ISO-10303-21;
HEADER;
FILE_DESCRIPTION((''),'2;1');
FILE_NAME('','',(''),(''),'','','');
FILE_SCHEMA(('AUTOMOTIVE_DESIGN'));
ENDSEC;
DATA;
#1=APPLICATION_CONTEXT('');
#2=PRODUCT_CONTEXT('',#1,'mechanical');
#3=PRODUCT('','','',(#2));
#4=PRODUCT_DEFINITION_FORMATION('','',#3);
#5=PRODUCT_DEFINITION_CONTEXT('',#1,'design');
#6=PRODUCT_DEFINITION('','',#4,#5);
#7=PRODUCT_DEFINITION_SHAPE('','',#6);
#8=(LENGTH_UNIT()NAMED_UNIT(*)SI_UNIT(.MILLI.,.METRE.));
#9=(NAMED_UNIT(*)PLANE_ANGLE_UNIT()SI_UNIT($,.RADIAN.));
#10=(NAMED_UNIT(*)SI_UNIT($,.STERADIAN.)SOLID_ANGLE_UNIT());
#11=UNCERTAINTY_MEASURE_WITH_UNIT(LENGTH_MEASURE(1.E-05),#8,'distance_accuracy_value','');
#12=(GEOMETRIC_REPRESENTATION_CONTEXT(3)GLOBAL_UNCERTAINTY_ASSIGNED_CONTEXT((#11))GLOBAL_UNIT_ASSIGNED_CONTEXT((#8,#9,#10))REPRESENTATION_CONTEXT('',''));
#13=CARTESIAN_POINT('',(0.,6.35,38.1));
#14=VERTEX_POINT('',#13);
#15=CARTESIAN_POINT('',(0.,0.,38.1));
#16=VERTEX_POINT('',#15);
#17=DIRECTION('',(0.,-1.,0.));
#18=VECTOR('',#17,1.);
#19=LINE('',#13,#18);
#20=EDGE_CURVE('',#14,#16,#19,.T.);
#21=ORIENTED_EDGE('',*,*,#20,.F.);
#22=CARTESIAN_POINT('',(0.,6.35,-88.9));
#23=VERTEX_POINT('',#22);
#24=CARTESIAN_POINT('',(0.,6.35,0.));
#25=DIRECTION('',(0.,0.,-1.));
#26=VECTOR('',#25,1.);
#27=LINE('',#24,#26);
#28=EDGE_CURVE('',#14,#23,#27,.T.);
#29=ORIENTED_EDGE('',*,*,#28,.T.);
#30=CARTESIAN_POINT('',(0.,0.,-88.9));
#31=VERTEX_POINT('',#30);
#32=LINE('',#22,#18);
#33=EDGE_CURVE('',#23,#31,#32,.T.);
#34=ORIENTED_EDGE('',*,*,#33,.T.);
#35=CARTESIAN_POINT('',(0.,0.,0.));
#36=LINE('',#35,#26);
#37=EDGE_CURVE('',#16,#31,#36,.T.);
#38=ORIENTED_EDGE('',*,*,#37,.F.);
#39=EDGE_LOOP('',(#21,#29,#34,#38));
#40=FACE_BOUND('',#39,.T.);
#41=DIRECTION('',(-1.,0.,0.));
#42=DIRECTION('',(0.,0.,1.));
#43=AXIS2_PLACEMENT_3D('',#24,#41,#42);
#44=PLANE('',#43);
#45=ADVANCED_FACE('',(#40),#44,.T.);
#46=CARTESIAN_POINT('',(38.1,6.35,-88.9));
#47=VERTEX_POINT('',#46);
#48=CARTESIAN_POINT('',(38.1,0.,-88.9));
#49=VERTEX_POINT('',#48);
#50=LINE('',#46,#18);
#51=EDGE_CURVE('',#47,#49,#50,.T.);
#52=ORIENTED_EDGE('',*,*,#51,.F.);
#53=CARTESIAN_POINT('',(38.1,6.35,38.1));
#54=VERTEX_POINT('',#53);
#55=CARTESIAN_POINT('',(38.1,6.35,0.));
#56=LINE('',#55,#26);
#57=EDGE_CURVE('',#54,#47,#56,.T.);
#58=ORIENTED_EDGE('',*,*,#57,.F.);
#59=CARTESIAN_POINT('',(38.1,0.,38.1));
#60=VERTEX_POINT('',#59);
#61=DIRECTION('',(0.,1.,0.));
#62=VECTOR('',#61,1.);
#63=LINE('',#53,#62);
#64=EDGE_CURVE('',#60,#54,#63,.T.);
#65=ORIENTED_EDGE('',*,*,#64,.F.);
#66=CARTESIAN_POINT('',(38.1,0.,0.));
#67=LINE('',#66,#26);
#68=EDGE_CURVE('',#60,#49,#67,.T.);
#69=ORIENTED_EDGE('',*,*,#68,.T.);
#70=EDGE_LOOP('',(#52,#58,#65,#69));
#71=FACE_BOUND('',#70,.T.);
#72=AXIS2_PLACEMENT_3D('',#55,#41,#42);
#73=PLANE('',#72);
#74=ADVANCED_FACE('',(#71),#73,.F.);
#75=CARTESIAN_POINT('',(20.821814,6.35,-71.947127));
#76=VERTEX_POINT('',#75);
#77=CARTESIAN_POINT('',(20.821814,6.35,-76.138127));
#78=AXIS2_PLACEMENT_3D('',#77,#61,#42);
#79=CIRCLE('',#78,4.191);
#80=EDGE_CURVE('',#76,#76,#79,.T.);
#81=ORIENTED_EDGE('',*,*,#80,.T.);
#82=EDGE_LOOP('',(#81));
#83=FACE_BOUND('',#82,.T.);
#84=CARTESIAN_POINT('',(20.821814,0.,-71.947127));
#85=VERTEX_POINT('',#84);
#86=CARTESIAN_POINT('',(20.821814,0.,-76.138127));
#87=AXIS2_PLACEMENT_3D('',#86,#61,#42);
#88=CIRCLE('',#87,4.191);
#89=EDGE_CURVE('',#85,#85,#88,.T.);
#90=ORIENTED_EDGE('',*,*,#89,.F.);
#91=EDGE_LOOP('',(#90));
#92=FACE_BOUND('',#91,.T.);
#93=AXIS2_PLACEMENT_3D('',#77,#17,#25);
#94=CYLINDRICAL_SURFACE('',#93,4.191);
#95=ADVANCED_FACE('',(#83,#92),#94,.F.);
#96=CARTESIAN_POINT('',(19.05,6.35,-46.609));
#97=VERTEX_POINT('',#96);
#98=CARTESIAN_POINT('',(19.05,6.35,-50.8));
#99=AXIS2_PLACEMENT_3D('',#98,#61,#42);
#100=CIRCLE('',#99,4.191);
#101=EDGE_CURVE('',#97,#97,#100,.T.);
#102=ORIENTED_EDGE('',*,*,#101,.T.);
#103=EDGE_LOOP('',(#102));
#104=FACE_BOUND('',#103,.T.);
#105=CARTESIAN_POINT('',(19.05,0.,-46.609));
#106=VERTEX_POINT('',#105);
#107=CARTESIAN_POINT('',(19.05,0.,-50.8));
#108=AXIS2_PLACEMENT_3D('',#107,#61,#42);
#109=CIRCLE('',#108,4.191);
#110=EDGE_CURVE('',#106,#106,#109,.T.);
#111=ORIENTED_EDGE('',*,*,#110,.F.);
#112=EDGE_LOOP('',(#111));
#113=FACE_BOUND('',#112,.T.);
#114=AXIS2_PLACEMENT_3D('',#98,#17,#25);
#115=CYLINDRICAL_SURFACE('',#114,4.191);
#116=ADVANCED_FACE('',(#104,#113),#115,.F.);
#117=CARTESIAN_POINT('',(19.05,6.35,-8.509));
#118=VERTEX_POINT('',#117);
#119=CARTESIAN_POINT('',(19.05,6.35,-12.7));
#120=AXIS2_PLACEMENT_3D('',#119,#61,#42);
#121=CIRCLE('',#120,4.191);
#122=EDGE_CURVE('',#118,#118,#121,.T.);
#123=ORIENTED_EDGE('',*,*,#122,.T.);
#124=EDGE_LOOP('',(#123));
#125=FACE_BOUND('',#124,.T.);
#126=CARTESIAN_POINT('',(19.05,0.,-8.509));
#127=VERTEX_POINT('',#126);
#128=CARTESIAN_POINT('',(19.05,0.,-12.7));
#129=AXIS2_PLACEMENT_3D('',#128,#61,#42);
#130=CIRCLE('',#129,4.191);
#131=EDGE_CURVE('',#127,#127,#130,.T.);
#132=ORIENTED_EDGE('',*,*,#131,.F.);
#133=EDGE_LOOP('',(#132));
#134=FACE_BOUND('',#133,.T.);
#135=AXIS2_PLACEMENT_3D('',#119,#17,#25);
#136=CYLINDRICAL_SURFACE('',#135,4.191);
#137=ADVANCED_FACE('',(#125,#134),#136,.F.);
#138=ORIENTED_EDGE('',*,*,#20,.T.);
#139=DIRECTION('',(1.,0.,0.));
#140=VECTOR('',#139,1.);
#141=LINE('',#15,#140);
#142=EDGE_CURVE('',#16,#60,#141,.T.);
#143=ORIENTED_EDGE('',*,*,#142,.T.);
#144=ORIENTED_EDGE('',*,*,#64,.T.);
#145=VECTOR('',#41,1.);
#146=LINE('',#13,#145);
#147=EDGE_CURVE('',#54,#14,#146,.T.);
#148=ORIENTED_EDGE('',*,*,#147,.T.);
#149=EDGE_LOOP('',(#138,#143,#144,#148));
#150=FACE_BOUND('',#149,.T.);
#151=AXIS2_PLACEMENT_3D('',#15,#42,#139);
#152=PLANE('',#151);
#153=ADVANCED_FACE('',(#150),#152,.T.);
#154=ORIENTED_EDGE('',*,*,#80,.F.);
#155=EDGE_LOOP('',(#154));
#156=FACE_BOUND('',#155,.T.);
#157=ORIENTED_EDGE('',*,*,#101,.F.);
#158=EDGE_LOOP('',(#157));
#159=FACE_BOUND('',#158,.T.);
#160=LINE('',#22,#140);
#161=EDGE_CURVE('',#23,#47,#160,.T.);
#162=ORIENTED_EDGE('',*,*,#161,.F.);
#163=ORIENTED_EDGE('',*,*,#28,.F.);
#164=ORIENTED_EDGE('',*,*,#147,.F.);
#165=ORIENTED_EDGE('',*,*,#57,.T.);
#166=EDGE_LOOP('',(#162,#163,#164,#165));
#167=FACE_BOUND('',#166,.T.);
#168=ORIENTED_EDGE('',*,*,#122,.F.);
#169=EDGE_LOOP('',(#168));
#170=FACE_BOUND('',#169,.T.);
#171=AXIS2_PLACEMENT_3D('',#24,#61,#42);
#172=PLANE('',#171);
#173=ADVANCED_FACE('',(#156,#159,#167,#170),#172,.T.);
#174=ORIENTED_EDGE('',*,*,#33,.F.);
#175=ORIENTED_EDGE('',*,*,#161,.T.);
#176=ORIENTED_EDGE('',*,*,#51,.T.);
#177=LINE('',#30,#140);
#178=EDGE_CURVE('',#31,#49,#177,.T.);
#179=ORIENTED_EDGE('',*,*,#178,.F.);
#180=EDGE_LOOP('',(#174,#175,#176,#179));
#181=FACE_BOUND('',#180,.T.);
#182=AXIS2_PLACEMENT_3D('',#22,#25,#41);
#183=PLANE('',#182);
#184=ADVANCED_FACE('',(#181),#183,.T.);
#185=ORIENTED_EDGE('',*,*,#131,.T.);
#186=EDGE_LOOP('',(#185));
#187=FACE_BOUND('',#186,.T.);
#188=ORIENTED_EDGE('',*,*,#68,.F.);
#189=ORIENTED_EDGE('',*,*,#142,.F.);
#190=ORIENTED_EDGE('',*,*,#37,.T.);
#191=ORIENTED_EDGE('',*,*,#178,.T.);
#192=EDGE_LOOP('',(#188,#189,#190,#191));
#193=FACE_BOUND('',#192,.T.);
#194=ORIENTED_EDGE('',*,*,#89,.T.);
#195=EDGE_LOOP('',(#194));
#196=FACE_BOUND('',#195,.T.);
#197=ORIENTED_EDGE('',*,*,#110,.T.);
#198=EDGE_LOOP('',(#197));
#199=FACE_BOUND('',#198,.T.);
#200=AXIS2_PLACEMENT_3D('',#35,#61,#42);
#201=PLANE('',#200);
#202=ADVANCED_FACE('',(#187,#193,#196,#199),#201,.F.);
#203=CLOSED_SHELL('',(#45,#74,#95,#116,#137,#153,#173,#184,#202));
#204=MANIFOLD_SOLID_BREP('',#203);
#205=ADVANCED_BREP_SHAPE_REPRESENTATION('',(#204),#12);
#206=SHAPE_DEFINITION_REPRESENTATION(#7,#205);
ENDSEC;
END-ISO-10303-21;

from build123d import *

# Parameters (mm, degrees)
SKETCH1_W           = 38.1
SKETCH1_H           = 88.9
SKETCH1_R           = 4.191
BOSS_EXTRUDE1_DEPTH = 6.35
SKETCH3_W           = 38.1
SKETCH3_H           = 6.35
BOSS_EXTRUDE2_DEPTH = 38.1


with BuildPart() as part:
    # Sketch1 → Boss-Extrude1 (new body)
    with BuildSketch(Plane(origin=(0, 0, 0), x_dir=(1, 0, 0), z_dir=(0, 1, 0))):
        with Locations((19.05, 44.45)):
            Rectangle(SKETCH1_W, SKETCH1_H)
        with Locations(Location((19.05, 12.7, 0), (0, 0, 270))):
            Circle(SKETCH1_R, mode=Mode.SUBTRACT)
        with Locations(Location((19.05, 50.8, 0), (0, 0, 270))):
            Circle(SKETCH1_R, mode=Mode.SUBTRACT)
        with Locations(Location((20.821814433, 76.138126877, 0), (0, 0, 270))):
            Circle(SKETCH1_R, mode=Mode.SUBTRACT)
    extrude(amount=BOSS_EXTRUDE1_DEPTH)

    # Sketch3 → Boss-Extrude2 (add)
    with BuildSketch(Plane.XY):
        with Locations((19.05, 3.175)):
            Rectangle(SKETCH3_W, SKETCH3_H)
    extrude(amount=BOSS_EXTRUDE2_DEPTH)


solid = part.part
